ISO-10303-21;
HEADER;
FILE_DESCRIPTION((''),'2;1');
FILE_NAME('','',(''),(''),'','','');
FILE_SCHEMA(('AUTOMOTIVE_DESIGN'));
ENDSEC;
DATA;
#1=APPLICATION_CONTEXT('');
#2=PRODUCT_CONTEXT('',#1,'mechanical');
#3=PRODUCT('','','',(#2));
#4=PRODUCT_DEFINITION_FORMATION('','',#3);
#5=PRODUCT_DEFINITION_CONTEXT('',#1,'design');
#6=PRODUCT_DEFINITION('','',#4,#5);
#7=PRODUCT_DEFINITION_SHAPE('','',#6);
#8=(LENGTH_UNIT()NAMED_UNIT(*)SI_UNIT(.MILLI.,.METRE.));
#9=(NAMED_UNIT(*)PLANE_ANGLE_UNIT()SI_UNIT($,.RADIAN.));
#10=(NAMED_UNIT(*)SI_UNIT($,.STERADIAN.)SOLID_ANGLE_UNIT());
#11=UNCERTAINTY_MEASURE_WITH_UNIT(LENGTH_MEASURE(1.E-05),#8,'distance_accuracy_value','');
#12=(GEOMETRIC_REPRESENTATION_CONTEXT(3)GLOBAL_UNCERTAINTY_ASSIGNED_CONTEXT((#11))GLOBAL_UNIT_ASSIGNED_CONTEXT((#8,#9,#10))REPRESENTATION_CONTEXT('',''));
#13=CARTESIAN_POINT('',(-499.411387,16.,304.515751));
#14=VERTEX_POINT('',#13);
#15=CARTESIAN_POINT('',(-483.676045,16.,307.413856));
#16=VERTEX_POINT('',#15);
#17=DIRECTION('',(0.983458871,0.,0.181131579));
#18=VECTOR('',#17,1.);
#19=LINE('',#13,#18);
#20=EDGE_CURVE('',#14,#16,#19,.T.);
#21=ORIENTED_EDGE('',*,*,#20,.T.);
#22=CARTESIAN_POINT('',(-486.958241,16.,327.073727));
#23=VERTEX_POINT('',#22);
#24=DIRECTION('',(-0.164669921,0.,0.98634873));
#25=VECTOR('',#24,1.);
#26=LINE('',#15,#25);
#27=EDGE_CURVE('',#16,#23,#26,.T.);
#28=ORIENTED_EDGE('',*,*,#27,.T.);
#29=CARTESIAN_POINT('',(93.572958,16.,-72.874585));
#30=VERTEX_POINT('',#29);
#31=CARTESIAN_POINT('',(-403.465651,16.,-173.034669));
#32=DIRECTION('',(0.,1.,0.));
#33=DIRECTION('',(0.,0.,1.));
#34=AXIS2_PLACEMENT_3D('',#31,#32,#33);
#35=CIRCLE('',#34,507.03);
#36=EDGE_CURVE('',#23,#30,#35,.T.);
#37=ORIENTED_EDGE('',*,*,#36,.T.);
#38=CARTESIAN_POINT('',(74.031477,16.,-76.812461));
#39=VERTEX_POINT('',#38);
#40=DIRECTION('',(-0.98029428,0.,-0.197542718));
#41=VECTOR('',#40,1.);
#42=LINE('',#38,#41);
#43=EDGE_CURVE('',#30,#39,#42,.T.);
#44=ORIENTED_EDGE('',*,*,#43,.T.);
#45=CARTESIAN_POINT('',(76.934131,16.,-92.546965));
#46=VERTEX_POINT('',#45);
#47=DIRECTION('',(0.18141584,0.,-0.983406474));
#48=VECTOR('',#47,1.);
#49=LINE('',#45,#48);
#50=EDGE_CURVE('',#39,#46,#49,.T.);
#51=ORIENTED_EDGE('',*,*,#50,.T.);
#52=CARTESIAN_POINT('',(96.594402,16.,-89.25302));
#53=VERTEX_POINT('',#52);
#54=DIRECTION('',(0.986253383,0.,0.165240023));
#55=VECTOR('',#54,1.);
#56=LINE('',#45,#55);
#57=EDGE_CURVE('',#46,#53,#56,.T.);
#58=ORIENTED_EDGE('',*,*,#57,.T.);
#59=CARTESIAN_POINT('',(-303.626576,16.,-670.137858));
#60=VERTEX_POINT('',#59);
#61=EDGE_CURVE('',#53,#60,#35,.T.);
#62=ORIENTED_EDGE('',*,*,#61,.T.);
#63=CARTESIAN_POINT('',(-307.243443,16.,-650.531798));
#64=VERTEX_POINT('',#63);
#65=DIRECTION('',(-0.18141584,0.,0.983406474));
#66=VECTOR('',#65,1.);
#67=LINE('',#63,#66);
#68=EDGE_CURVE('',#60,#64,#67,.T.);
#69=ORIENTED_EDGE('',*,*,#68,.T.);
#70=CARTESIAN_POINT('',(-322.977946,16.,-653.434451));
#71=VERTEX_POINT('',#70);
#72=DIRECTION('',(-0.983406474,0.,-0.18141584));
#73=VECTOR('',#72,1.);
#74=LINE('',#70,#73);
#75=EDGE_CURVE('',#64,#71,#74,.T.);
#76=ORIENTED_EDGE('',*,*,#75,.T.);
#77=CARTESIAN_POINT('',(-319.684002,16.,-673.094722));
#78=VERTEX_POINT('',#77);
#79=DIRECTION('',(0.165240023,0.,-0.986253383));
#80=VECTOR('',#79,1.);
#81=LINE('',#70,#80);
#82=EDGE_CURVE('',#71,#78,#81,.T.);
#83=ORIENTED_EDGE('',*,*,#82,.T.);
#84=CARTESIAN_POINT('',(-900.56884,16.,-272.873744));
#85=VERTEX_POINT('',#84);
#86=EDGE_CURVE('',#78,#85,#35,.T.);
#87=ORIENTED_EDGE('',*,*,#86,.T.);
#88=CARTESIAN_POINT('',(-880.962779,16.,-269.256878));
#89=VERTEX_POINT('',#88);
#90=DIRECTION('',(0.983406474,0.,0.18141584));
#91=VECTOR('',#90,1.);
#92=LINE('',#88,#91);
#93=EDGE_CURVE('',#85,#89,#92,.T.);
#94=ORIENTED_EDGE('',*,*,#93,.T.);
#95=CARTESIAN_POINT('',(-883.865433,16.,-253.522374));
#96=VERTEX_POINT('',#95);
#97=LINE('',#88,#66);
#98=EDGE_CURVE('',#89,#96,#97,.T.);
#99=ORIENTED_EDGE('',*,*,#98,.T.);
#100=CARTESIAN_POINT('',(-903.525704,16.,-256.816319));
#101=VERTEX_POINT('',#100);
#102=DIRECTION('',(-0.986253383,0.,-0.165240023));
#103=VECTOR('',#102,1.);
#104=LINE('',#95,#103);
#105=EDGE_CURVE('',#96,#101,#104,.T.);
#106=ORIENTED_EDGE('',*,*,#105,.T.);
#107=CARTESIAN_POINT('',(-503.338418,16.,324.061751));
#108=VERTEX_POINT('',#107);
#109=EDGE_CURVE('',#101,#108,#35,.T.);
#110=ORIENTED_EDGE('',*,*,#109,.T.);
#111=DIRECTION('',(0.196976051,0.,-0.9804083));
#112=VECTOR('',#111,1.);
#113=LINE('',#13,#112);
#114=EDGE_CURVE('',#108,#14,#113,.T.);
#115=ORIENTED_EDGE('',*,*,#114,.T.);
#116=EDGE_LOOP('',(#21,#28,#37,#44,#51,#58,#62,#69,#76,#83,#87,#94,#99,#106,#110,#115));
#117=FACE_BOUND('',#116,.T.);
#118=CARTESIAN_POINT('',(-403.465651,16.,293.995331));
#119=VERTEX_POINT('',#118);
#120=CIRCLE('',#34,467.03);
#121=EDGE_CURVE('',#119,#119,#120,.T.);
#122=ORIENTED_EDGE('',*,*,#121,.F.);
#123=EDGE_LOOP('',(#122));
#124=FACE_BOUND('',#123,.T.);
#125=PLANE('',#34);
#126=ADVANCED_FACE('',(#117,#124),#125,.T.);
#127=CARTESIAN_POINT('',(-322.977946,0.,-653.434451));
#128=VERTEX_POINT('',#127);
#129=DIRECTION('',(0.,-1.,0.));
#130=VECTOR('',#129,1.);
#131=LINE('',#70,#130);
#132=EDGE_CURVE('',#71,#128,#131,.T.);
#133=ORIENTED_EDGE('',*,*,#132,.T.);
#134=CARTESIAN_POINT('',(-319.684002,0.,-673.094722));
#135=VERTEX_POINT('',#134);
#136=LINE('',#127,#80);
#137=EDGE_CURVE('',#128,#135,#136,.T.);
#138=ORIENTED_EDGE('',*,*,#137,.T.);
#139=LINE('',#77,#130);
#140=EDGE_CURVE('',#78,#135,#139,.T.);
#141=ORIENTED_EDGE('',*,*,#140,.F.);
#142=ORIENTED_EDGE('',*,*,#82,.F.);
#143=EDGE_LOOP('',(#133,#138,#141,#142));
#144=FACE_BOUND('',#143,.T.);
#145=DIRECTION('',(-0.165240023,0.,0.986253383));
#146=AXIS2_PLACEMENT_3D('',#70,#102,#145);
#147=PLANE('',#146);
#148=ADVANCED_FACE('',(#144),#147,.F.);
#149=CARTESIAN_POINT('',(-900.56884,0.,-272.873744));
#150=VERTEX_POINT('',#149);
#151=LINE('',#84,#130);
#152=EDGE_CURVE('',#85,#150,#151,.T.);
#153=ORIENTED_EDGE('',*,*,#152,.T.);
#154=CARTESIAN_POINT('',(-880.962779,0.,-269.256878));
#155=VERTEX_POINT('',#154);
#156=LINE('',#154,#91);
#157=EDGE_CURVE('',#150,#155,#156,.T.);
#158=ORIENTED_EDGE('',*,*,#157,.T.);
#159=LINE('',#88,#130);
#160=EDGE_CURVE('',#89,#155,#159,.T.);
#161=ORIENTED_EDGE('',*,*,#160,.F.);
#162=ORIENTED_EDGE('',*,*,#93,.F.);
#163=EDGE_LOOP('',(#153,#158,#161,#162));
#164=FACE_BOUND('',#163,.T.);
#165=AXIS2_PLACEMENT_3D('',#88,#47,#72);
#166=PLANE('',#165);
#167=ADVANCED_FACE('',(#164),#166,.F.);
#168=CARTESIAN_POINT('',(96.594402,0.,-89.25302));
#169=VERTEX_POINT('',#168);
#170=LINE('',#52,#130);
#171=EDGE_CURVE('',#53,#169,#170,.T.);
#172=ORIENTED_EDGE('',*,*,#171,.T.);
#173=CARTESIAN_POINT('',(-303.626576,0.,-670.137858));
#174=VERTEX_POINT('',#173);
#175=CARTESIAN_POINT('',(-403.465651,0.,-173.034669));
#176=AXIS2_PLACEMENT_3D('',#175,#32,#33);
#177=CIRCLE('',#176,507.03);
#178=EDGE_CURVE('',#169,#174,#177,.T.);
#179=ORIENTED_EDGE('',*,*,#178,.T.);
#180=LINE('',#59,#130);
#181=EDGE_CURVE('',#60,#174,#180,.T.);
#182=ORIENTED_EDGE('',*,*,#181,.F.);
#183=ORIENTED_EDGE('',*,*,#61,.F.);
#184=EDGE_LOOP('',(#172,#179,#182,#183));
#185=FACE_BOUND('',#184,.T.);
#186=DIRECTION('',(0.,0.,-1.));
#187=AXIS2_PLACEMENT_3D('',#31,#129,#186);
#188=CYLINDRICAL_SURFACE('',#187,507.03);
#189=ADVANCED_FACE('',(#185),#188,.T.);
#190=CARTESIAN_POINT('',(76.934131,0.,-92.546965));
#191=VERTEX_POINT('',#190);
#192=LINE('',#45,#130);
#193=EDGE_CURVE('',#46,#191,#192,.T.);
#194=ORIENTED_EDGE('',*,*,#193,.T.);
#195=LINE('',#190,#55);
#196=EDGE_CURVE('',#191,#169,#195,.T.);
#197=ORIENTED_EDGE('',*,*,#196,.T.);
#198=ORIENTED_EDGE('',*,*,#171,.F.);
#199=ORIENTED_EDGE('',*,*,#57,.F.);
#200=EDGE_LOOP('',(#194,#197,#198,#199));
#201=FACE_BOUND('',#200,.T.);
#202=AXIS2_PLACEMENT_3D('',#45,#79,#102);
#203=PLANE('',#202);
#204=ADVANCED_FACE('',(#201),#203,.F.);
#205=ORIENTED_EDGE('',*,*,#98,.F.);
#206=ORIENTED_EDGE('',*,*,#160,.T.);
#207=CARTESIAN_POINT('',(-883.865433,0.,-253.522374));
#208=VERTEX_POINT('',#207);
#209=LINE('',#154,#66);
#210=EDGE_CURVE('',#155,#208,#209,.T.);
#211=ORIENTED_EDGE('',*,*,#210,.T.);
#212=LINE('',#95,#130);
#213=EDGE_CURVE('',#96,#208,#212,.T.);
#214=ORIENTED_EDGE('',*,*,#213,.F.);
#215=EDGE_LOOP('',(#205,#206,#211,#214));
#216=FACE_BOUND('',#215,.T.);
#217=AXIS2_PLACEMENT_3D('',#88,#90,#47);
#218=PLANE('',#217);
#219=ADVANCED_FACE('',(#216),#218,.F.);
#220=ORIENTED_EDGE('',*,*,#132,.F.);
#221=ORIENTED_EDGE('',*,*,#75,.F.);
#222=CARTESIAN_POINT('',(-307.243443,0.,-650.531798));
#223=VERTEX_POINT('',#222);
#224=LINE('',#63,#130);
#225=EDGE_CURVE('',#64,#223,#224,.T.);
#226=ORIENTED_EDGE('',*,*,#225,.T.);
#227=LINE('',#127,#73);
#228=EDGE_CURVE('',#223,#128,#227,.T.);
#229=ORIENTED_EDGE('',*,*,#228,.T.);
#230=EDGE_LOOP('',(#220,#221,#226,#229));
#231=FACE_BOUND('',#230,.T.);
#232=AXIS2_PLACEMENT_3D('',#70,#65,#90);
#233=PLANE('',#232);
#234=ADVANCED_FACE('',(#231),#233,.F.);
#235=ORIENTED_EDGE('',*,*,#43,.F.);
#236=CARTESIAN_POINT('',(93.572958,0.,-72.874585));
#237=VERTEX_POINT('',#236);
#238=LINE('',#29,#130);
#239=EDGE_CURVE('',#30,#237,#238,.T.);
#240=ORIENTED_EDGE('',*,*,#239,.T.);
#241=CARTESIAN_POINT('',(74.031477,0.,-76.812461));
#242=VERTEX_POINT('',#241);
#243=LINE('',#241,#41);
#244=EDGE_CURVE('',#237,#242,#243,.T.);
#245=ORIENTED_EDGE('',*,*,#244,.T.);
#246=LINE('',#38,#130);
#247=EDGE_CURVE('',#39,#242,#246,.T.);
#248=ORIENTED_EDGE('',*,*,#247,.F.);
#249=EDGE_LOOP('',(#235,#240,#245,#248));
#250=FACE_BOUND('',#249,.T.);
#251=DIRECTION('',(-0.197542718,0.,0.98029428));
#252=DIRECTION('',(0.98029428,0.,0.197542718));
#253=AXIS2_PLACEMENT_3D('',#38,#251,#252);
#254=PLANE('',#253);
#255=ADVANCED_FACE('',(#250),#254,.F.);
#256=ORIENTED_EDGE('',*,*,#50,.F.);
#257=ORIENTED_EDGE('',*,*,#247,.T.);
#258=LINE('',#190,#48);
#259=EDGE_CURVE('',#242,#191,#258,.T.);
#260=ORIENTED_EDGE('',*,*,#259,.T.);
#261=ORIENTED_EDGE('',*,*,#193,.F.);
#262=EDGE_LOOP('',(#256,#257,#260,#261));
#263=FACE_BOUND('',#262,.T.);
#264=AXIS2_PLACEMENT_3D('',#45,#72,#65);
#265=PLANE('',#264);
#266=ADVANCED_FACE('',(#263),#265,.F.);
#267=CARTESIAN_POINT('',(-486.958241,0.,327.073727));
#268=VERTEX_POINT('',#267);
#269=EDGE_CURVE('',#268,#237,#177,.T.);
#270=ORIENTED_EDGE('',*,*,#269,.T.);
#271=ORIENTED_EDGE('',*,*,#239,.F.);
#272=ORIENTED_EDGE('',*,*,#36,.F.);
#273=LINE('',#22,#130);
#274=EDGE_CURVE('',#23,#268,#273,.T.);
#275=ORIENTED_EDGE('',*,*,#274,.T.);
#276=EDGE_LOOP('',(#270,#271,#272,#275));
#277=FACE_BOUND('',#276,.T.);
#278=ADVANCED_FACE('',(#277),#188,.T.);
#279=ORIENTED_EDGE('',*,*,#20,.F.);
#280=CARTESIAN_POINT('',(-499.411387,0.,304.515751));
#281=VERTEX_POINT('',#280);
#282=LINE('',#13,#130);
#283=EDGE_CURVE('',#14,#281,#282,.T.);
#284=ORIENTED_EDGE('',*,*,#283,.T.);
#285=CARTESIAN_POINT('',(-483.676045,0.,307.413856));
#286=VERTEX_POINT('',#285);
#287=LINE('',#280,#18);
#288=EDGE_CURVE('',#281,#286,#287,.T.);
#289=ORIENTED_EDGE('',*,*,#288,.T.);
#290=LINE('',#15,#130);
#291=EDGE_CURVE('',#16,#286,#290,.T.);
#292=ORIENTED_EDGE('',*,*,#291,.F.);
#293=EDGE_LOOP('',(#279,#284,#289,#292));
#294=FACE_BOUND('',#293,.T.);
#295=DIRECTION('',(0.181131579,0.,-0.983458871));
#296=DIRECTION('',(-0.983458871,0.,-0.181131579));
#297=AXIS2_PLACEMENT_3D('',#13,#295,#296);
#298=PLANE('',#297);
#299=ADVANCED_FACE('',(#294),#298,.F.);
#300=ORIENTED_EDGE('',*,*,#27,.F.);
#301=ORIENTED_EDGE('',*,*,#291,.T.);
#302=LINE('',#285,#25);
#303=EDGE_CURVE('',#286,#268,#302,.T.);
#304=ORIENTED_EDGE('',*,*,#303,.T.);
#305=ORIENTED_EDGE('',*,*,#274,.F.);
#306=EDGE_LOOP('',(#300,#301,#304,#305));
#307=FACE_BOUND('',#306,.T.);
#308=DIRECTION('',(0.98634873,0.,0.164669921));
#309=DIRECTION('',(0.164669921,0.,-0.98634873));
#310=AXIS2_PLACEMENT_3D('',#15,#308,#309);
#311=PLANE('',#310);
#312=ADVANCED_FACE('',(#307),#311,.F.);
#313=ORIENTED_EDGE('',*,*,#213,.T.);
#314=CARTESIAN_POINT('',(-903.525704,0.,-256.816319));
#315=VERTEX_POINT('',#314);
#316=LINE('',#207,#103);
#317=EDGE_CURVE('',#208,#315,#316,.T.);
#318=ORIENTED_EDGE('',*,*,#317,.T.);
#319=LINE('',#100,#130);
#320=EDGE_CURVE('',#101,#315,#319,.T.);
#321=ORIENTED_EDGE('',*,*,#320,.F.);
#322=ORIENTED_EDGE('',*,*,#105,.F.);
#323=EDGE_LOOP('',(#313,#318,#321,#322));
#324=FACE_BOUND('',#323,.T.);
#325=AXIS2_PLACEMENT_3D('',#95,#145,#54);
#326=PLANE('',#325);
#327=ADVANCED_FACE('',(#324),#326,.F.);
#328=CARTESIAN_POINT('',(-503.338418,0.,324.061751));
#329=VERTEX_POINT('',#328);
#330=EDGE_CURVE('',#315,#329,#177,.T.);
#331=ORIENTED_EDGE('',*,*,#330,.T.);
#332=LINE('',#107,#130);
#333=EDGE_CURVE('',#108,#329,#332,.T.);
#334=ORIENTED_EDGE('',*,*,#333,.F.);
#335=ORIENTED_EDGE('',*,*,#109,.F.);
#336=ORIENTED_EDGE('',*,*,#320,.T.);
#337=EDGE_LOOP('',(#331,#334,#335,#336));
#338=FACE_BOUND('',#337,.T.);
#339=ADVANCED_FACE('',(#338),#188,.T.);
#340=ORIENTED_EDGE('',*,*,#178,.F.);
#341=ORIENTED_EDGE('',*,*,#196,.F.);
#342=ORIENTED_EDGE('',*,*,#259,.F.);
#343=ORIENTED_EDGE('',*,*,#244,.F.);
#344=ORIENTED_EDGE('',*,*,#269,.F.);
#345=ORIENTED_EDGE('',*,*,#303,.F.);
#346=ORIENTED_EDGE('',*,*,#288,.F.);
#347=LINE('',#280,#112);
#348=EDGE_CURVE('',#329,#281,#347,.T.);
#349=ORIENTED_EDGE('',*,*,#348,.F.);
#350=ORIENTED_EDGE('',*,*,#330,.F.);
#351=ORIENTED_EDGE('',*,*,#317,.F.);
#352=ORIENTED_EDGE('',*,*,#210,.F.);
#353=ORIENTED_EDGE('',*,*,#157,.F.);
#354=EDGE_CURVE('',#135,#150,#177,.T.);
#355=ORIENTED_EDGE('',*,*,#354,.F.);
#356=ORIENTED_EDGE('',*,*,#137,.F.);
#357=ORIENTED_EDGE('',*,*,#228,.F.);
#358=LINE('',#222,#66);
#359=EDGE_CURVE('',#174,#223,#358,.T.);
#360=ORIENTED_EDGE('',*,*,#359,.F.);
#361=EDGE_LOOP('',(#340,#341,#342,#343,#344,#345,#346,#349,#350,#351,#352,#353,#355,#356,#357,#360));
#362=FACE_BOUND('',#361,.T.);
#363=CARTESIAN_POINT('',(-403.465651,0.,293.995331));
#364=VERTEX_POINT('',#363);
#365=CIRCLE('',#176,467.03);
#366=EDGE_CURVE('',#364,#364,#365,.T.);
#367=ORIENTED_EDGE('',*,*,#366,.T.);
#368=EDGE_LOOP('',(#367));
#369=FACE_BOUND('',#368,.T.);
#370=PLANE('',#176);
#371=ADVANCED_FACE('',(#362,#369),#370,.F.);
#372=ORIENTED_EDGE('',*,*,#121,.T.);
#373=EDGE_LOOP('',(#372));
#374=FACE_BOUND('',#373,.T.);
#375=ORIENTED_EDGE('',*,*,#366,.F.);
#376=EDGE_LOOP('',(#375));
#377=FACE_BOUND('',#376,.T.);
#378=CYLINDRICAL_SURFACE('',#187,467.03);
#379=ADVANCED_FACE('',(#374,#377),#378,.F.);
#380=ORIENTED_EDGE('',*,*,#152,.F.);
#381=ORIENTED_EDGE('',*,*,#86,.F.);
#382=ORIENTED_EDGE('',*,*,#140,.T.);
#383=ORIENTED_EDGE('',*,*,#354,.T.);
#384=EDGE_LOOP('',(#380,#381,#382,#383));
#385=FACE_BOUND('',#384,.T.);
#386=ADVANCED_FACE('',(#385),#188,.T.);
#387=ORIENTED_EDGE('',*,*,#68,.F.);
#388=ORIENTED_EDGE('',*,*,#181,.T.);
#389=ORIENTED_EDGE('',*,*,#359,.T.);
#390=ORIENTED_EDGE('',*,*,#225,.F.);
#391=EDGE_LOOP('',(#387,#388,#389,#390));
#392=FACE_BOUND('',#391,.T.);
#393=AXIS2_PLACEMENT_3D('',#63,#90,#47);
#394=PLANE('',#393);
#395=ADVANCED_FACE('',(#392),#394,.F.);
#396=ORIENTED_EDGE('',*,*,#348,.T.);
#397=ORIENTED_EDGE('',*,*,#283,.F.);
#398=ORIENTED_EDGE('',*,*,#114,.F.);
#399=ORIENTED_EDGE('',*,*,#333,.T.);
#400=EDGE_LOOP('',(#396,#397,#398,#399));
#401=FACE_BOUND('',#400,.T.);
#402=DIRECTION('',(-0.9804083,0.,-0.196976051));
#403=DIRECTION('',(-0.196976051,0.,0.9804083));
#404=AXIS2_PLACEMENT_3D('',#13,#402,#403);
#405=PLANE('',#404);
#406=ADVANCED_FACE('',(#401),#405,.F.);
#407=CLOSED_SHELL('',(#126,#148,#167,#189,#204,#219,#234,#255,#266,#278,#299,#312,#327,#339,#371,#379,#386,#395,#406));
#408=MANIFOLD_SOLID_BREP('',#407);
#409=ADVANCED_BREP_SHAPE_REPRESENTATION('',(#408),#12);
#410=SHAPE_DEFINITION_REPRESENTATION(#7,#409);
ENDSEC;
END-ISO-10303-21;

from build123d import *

# Parameters (mm, degrees)
SKETCH_1_R      = 467.03
EXTRUDE_4_DEPTH = 16


with BuildPart() as part:
    # Эскиз1 → Бобышка-Вытянуть4 (new body)
    with BuildSketch(Plane(origin=(0, 0, 0), x_dir=(1, 0, 0), z_dir=(0, 1, 0))):
        with BuildLine():
            Line((-322.977946121, 653.434451156), (-307.243442539, 650.531797712))
            Line((-307.243442539, 650.531797712), (-303.626576078, 670.137857951))
            ThreePointArc((-303.626576078, 670.137857951), (14.058646997, 460.70267508), (96.59440154, 89.25302034))
            Line((96.59440154, 89.25302034), (76.934130677, 92.54696455))
            Line((76.934130677, 92.54696455), (74.031477232, 76.812460968))
            Line((74.031477232, 76.812460968), (93.572957548, 72.874585153))
            ThreePointArc((93.572957548, 72.874585153), (-115.811795624, -244.499377508), (-486.958240872, -327.073727137))
            Line((-486.958240872, -327.073727137), (-483.676045344, -307.413856175))
            Line((-483.676045344, -307.413856175), (-499.411387282, -304.515750914))
            Line((-499.411387282, -304.515750914), (-503.338418417, -324.061751005))
            ThreePointArc((-503.338418417, -324.061751005), (-820.999697593, -114.619186519), (-903.525703591, 256.816318569))
            Line((-903.525703591, 256.816318569), (-883.865432727, 253.522374358))
            Line((-883.865432727, 253.522374358), (-880.962779283, 269.256877941))
            Line((-880.962779283, 269.256877941), (-900.568839522, 272.873744402))
            ThreePointArc((-900.568839522, 272.873744402), (-691.133656651, 590.558967477), (-319.684001911, 673.09472202))
            Line((-319.684001911, 673.09472202), (-322.977946121, 653.434451156))
        make_face()
        with Locations((-403.465651025, 173.034669454)):
            Circle(SKETCH_1_R, mode=Mode.SUBTRACT)
    extrude(amount=EXTRUDE_4_DEPTH)


solid = part.part
